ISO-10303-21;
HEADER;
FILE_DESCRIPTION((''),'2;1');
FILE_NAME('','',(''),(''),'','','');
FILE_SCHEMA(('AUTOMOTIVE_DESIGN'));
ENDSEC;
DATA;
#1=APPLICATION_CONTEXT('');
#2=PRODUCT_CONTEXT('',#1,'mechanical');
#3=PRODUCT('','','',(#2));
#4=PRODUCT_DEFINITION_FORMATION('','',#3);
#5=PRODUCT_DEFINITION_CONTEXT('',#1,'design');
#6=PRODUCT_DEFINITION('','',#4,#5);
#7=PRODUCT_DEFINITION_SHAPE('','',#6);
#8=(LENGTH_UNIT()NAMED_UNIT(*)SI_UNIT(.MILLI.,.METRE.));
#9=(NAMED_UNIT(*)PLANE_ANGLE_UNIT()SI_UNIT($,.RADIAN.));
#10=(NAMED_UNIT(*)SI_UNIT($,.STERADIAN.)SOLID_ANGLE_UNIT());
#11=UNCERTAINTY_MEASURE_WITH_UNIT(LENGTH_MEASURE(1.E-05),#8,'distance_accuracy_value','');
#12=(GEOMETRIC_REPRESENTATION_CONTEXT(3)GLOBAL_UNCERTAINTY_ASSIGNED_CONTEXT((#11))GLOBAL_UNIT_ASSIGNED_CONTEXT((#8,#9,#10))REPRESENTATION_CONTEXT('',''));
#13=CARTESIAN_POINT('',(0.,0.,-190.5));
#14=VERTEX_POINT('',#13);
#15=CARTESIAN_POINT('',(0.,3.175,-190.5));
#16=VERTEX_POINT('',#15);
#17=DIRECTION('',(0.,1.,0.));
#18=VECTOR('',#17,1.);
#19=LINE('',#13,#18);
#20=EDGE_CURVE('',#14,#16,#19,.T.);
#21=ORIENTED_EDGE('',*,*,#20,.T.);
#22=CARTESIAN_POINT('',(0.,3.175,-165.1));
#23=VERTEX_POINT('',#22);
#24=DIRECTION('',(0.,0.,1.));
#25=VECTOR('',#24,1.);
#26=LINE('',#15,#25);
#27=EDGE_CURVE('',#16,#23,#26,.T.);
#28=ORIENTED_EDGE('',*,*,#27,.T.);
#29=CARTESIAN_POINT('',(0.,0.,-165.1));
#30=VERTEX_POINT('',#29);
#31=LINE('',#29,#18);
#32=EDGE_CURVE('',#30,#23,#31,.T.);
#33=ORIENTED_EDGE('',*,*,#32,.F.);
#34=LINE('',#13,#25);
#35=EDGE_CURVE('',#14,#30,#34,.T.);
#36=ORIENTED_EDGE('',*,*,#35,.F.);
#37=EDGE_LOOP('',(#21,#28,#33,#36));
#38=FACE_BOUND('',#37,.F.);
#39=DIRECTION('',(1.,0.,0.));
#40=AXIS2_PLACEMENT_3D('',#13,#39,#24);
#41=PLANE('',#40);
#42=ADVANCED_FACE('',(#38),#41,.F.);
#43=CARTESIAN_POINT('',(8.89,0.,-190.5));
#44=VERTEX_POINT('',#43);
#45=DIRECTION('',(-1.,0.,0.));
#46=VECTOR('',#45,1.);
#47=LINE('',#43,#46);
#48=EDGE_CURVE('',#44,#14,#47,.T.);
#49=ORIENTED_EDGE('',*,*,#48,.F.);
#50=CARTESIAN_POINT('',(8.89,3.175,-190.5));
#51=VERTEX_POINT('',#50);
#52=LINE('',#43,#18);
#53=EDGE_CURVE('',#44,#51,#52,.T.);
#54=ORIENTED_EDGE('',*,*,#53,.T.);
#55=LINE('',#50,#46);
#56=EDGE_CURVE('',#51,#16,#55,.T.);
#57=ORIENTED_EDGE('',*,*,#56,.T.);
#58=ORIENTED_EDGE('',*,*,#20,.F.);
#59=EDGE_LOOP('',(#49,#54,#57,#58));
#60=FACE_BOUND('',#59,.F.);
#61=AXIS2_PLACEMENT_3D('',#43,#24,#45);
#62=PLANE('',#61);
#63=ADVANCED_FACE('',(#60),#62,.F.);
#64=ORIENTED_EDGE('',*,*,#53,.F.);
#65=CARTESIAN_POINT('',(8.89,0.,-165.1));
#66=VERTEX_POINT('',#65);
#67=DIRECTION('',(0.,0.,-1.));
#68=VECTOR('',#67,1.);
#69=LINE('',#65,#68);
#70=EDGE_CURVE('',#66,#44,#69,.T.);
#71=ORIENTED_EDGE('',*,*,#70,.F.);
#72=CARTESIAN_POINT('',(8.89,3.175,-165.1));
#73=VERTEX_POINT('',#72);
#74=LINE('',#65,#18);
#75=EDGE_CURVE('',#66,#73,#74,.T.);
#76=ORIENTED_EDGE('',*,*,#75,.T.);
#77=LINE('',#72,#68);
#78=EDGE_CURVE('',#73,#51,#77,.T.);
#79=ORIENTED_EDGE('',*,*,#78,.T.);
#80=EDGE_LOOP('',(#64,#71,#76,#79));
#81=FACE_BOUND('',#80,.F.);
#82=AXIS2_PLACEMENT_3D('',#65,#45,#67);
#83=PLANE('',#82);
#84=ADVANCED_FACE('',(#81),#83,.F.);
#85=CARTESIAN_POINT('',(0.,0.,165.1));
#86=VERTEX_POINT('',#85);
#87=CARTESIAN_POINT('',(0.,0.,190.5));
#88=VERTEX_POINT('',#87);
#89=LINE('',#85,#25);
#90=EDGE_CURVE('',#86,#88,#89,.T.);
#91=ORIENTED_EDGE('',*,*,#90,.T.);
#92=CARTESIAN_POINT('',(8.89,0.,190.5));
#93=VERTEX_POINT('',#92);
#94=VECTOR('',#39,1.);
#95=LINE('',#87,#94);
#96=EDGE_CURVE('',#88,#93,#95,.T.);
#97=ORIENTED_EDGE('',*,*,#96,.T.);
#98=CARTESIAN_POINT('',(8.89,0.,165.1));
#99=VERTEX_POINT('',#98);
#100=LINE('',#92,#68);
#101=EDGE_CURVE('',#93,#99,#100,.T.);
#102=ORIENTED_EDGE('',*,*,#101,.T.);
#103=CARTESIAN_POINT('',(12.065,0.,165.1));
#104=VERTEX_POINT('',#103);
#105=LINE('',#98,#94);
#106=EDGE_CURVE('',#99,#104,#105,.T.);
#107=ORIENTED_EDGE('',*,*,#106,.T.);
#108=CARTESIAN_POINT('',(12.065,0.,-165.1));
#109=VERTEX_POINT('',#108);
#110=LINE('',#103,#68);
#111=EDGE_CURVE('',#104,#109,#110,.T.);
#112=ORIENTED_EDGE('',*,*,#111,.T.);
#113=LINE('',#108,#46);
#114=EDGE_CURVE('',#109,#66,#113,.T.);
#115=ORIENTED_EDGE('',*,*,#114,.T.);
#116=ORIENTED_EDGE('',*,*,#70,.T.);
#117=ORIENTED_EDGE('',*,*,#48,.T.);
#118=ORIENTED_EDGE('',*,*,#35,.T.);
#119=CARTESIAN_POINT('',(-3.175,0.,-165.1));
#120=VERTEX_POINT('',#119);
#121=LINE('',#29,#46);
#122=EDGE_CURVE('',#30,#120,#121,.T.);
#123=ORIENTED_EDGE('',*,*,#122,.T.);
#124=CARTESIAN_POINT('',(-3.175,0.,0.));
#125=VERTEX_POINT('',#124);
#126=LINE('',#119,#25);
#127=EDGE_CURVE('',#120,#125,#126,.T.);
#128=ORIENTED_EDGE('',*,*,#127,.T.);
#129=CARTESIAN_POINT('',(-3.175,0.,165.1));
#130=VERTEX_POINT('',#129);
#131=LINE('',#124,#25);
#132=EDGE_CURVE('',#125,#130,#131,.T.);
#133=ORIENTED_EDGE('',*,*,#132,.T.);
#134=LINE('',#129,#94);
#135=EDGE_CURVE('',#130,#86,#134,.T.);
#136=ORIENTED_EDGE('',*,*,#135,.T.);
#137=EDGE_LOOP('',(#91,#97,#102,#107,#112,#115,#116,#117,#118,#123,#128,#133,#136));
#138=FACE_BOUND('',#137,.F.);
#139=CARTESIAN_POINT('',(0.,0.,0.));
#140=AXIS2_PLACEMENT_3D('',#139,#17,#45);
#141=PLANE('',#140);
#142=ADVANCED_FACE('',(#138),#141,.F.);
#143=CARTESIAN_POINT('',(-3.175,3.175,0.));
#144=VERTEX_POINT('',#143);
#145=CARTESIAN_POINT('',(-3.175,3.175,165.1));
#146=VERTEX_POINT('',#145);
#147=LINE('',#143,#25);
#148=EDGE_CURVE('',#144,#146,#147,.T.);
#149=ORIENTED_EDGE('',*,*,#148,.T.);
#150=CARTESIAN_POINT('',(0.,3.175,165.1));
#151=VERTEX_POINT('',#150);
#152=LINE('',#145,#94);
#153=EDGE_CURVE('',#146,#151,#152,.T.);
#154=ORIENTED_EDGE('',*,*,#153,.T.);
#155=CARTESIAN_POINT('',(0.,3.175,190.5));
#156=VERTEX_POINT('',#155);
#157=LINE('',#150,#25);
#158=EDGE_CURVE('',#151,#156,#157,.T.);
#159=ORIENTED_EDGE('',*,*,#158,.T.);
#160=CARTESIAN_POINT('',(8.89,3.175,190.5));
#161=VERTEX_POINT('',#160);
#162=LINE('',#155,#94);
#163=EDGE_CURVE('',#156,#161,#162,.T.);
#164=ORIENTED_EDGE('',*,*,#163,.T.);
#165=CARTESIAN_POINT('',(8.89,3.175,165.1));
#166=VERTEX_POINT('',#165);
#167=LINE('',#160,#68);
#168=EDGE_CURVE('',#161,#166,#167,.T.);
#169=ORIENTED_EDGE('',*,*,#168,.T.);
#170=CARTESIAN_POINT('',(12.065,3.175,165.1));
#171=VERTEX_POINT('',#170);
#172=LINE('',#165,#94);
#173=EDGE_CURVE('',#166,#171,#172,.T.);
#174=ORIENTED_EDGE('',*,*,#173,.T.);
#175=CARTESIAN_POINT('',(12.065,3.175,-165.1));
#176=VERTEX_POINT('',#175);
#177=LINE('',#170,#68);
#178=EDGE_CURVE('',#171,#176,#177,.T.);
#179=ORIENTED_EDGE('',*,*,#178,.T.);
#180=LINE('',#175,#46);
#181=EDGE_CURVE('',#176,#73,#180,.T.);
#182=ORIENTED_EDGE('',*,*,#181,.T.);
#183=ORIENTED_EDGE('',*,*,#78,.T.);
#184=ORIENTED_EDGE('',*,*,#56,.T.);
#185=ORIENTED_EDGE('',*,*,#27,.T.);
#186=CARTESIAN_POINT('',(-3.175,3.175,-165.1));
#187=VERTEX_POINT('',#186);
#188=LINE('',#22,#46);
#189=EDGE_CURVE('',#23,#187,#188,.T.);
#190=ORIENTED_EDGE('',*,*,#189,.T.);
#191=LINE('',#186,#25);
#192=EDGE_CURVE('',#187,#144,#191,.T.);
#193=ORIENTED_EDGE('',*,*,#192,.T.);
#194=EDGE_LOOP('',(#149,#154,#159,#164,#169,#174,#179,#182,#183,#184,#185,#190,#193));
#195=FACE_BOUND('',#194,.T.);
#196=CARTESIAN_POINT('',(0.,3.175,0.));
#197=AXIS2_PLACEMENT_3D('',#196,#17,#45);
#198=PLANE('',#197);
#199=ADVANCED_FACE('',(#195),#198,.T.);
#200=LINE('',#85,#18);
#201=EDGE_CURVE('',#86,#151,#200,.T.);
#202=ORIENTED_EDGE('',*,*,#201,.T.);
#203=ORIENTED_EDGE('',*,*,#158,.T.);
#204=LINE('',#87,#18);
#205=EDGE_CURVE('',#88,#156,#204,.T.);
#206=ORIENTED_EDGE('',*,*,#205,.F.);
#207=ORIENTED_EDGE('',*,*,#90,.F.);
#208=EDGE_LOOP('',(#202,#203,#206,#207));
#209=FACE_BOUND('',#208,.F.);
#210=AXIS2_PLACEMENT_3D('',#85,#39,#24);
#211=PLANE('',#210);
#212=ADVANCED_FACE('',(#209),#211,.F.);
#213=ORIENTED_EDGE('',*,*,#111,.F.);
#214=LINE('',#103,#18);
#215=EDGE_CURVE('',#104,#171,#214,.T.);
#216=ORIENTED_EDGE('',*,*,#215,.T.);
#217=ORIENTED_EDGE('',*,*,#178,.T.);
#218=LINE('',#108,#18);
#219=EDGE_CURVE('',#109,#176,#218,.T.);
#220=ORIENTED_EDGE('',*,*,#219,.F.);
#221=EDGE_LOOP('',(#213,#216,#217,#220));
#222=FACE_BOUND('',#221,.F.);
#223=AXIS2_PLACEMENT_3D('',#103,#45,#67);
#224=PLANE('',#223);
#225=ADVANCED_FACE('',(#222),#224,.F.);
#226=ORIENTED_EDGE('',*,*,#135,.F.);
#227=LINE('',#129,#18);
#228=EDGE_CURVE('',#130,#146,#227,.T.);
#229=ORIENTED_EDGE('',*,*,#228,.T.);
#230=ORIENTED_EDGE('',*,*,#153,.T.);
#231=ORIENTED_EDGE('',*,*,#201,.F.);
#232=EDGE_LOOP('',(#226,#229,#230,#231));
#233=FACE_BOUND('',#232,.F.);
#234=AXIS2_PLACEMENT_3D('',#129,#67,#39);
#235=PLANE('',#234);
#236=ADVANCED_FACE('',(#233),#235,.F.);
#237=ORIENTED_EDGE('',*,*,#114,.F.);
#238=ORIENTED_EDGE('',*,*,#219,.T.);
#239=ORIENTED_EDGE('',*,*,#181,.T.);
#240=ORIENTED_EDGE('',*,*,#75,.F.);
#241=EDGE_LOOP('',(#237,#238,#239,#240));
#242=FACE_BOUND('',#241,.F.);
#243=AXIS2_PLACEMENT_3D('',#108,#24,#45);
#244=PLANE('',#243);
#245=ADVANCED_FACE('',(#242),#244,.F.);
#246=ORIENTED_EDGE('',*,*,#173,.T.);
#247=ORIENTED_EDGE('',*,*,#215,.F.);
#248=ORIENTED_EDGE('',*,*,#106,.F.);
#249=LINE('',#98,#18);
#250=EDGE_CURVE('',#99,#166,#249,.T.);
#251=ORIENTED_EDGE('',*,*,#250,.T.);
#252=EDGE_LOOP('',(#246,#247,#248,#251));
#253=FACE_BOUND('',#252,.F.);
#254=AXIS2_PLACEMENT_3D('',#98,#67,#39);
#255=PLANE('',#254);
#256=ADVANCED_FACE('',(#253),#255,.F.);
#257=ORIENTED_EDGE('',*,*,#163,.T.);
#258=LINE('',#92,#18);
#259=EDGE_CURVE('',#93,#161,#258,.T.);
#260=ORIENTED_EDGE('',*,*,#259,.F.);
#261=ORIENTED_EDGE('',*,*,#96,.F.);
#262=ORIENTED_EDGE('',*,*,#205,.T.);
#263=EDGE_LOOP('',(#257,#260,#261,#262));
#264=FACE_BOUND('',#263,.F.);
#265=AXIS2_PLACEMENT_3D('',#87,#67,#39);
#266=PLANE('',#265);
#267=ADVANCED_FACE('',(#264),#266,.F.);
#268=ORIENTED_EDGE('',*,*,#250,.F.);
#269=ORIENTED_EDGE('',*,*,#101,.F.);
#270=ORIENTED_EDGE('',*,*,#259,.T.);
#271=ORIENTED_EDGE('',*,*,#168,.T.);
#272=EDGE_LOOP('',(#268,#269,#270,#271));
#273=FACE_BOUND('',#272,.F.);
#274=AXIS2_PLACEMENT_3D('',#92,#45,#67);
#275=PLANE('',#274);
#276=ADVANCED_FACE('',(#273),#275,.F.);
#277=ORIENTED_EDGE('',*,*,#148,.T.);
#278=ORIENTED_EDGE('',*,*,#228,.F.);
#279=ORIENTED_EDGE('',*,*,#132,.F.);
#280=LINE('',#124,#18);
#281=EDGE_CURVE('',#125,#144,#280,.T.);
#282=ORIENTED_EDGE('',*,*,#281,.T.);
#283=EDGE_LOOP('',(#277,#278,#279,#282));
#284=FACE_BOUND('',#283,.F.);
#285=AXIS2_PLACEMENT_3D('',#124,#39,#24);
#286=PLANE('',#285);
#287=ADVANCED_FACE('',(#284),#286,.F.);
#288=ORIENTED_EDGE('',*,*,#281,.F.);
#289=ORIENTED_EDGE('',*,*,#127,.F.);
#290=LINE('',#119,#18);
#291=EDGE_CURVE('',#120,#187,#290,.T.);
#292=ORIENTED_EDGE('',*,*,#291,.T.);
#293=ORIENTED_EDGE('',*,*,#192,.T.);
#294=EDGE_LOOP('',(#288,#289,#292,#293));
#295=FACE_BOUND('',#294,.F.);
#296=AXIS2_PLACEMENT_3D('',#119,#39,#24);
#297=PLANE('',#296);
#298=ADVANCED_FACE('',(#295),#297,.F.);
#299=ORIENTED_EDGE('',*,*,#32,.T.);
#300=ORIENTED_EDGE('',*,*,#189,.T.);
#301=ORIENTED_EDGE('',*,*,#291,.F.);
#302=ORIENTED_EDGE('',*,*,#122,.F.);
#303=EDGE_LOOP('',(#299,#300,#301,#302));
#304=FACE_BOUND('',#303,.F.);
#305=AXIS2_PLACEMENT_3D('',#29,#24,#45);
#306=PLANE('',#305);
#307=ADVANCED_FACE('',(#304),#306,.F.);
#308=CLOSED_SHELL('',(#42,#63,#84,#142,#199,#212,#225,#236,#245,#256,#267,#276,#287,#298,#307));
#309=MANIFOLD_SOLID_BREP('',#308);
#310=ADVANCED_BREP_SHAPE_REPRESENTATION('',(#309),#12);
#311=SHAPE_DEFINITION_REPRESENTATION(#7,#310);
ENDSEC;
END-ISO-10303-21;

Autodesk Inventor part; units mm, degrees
ref_plane "YZ Plane" through (0, 0, 0) normal (1, 0, 0) x (0, 1, 0)
ref_plane "XZ Plane" through (0, 0, 0) normal (0, 1, 0) x (-1, 0, 0)
ref_plane "XY Plane" through (0, 0, 0) normal (0, 0, 1) x (1, 0, 0)
sketch "Sketch1" plane through (0, 0, 0) normal (0, 1, 0) x (-1, 0, 0)
  line L0 (3.175, 0) -> (3.175, 165.1)
  line L1 (3.175, 165.1) -> (0, 165.1)
  line L2 (0, 165.1) -> (0, 190.5)
  line L3 (0, 190.5) -> (-8.89, 190.5)
  line L4 (-8.89, 190.5) -> (-8.89, 165.1)
  line L5 (-8.89, 165.1) -> (-12.065, 165.1)
  line L6 (-12.065, 165.1) -> (-12.065, -165.1)
  line L7 (-12.065, -165.1) -> (-8.89, -165.1)
  line L8 (-8.89, -165.1) -> (-8.89, -190.5)
  line L9 (-8.89, -190.5) -> (0, -190.5)
  line L10 (0, -190.5) -> (0, -165.1)
  line L11 (0, -165.1) -> (3.175, -165.1)
  line L12 (3.175, -165.1) -> (3.175, 0)
  point P0 (0, 0)
  dimension "d0" = 165.1
  dimension "d1" = 3.175
  dimension "d2" = 25.4
  dimension "d3" = 8.89
  dimension "d4" = 25.4
  dimension "d5" = 3.175
  dimension "d6" = 90
  dimension "d7" = 330.2
  dimension "d8" = 3.175
  dimension "d9" = 25.4
  dimension "d10" = 8.89
  dimension "d11" = 25.4
  dimension "d12" = 3.175
extrude "Extrusion1" add sketch "Sketch1" along normal blind 3.175
properties part number "front"
